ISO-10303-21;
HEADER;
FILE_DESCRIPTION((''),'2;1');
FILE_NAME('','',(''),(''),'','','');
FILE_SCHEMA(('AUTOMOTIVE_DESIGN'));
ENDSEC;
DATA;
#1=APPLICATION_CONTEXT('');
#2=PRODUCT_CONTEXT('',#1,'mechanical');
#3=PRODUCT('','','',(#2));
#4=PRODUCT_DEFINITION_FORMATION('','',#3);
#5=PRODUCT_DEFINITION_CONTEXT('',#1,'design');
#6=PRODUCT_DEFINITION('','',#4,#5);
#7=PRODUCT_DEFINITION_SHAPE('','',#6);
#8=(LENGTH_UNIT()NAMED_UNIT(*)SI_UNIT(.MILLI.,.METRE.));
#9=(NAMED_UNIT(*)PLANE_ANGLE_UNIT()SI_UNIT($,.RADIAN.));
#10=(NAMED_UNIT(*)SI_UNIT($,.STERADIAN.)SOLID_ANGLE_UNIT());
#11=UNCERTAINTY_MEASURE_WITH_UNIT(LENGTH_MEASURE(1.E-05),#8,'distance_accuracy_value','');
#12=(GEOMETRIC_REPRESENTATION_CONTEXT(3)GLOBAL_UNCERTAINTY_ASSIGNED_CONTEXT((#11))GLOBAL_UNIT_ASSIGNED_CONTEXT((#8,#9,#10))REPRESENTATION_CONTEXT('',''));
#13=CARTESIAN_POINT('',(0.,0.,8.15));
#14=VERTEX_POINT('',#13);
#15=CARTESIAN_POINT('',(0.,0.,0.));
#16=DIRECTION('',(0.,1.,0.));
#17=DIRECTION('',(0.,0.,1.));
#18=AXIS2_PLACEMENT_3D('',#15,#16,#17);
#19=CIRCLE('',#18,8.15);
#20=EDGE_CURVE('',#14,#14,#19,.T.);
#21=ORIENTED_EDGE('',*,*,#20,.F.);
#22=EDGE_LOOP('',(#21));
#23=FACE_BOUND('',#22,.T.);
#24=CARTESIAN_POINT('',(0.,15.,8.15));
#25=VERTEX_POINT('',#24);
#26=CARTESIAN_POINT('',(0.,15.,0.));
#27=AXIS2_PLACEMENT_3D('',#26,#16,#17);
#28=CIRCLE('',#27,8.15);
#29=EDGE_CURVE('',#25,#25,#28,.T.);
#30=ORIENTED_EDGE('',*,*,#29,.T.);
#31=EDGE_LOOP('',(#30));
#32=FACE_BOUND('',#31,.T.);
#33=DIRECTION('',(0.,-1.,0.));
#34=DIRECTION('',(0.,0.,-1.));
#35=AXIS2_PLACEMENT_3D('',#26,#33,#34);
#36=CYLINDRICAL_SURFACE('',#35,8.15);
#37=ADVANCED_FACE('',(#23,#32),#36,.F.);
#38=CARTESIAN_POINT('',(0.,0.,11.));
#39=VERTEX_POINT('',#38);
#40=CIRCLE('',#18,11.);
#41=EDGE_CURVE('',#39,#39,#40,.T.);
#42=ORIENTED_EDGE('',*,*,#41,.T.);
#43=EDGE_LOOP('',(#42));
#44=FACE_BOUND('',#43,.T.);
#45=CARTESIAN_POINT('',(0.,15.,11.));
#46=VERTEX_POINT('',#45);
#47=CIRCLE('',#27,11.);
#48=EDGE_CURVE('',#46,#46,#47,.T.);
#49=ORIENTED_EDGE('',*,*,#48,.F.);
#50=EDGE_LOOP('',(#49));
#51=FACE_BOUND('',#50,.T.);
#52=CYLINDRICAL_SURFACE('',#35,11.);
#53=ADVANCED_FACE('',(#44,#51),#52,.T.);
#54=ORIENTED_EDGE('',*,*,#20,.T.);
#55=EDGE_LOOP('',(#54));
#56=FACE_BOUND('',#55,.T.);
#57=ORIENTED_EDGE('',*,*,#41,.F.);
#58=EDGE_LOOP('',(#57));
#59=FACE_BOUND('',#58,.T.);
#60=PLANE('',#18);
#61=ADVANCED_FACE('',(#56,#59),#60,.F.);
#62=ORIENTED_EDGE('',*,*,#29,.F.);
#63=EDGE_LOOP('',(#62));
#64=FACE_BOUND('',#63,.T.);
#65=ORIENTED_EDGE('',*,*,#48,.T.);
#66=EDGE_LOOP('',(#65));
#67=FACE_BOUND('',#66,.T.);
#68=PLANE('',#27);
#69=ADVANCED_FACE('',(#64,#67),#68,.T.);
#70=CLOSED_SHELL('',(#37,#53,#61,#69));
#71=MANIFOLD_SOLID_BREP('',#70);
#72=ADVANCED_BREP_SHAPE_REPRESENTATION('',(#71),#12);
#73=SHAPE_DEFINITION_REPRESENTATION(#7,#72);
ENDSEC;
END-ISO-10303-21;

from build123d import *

# Parameters (mm, degrees)
SKETCH1_R           = 11
SKETCH1_R_2         = 8.15
BOSS_EXTRUDE1_DEPTH = 15


with BuildPart() as part:
    # Sketch1 → Boss-Extrude1 (new body)
    with BuildSketch(Plane(origin=(0, 0, 0), x_dir=(1, 0, 0), z_dir=(0, 1, 0))):
        Circle(SKETCH1_R)
        Circle(SKETCH1_R_2, mode=Mode.SUBTRACT)
    extrude(amount=BOSS_EXTRUDE1_DEPTH)


solid = part.part
